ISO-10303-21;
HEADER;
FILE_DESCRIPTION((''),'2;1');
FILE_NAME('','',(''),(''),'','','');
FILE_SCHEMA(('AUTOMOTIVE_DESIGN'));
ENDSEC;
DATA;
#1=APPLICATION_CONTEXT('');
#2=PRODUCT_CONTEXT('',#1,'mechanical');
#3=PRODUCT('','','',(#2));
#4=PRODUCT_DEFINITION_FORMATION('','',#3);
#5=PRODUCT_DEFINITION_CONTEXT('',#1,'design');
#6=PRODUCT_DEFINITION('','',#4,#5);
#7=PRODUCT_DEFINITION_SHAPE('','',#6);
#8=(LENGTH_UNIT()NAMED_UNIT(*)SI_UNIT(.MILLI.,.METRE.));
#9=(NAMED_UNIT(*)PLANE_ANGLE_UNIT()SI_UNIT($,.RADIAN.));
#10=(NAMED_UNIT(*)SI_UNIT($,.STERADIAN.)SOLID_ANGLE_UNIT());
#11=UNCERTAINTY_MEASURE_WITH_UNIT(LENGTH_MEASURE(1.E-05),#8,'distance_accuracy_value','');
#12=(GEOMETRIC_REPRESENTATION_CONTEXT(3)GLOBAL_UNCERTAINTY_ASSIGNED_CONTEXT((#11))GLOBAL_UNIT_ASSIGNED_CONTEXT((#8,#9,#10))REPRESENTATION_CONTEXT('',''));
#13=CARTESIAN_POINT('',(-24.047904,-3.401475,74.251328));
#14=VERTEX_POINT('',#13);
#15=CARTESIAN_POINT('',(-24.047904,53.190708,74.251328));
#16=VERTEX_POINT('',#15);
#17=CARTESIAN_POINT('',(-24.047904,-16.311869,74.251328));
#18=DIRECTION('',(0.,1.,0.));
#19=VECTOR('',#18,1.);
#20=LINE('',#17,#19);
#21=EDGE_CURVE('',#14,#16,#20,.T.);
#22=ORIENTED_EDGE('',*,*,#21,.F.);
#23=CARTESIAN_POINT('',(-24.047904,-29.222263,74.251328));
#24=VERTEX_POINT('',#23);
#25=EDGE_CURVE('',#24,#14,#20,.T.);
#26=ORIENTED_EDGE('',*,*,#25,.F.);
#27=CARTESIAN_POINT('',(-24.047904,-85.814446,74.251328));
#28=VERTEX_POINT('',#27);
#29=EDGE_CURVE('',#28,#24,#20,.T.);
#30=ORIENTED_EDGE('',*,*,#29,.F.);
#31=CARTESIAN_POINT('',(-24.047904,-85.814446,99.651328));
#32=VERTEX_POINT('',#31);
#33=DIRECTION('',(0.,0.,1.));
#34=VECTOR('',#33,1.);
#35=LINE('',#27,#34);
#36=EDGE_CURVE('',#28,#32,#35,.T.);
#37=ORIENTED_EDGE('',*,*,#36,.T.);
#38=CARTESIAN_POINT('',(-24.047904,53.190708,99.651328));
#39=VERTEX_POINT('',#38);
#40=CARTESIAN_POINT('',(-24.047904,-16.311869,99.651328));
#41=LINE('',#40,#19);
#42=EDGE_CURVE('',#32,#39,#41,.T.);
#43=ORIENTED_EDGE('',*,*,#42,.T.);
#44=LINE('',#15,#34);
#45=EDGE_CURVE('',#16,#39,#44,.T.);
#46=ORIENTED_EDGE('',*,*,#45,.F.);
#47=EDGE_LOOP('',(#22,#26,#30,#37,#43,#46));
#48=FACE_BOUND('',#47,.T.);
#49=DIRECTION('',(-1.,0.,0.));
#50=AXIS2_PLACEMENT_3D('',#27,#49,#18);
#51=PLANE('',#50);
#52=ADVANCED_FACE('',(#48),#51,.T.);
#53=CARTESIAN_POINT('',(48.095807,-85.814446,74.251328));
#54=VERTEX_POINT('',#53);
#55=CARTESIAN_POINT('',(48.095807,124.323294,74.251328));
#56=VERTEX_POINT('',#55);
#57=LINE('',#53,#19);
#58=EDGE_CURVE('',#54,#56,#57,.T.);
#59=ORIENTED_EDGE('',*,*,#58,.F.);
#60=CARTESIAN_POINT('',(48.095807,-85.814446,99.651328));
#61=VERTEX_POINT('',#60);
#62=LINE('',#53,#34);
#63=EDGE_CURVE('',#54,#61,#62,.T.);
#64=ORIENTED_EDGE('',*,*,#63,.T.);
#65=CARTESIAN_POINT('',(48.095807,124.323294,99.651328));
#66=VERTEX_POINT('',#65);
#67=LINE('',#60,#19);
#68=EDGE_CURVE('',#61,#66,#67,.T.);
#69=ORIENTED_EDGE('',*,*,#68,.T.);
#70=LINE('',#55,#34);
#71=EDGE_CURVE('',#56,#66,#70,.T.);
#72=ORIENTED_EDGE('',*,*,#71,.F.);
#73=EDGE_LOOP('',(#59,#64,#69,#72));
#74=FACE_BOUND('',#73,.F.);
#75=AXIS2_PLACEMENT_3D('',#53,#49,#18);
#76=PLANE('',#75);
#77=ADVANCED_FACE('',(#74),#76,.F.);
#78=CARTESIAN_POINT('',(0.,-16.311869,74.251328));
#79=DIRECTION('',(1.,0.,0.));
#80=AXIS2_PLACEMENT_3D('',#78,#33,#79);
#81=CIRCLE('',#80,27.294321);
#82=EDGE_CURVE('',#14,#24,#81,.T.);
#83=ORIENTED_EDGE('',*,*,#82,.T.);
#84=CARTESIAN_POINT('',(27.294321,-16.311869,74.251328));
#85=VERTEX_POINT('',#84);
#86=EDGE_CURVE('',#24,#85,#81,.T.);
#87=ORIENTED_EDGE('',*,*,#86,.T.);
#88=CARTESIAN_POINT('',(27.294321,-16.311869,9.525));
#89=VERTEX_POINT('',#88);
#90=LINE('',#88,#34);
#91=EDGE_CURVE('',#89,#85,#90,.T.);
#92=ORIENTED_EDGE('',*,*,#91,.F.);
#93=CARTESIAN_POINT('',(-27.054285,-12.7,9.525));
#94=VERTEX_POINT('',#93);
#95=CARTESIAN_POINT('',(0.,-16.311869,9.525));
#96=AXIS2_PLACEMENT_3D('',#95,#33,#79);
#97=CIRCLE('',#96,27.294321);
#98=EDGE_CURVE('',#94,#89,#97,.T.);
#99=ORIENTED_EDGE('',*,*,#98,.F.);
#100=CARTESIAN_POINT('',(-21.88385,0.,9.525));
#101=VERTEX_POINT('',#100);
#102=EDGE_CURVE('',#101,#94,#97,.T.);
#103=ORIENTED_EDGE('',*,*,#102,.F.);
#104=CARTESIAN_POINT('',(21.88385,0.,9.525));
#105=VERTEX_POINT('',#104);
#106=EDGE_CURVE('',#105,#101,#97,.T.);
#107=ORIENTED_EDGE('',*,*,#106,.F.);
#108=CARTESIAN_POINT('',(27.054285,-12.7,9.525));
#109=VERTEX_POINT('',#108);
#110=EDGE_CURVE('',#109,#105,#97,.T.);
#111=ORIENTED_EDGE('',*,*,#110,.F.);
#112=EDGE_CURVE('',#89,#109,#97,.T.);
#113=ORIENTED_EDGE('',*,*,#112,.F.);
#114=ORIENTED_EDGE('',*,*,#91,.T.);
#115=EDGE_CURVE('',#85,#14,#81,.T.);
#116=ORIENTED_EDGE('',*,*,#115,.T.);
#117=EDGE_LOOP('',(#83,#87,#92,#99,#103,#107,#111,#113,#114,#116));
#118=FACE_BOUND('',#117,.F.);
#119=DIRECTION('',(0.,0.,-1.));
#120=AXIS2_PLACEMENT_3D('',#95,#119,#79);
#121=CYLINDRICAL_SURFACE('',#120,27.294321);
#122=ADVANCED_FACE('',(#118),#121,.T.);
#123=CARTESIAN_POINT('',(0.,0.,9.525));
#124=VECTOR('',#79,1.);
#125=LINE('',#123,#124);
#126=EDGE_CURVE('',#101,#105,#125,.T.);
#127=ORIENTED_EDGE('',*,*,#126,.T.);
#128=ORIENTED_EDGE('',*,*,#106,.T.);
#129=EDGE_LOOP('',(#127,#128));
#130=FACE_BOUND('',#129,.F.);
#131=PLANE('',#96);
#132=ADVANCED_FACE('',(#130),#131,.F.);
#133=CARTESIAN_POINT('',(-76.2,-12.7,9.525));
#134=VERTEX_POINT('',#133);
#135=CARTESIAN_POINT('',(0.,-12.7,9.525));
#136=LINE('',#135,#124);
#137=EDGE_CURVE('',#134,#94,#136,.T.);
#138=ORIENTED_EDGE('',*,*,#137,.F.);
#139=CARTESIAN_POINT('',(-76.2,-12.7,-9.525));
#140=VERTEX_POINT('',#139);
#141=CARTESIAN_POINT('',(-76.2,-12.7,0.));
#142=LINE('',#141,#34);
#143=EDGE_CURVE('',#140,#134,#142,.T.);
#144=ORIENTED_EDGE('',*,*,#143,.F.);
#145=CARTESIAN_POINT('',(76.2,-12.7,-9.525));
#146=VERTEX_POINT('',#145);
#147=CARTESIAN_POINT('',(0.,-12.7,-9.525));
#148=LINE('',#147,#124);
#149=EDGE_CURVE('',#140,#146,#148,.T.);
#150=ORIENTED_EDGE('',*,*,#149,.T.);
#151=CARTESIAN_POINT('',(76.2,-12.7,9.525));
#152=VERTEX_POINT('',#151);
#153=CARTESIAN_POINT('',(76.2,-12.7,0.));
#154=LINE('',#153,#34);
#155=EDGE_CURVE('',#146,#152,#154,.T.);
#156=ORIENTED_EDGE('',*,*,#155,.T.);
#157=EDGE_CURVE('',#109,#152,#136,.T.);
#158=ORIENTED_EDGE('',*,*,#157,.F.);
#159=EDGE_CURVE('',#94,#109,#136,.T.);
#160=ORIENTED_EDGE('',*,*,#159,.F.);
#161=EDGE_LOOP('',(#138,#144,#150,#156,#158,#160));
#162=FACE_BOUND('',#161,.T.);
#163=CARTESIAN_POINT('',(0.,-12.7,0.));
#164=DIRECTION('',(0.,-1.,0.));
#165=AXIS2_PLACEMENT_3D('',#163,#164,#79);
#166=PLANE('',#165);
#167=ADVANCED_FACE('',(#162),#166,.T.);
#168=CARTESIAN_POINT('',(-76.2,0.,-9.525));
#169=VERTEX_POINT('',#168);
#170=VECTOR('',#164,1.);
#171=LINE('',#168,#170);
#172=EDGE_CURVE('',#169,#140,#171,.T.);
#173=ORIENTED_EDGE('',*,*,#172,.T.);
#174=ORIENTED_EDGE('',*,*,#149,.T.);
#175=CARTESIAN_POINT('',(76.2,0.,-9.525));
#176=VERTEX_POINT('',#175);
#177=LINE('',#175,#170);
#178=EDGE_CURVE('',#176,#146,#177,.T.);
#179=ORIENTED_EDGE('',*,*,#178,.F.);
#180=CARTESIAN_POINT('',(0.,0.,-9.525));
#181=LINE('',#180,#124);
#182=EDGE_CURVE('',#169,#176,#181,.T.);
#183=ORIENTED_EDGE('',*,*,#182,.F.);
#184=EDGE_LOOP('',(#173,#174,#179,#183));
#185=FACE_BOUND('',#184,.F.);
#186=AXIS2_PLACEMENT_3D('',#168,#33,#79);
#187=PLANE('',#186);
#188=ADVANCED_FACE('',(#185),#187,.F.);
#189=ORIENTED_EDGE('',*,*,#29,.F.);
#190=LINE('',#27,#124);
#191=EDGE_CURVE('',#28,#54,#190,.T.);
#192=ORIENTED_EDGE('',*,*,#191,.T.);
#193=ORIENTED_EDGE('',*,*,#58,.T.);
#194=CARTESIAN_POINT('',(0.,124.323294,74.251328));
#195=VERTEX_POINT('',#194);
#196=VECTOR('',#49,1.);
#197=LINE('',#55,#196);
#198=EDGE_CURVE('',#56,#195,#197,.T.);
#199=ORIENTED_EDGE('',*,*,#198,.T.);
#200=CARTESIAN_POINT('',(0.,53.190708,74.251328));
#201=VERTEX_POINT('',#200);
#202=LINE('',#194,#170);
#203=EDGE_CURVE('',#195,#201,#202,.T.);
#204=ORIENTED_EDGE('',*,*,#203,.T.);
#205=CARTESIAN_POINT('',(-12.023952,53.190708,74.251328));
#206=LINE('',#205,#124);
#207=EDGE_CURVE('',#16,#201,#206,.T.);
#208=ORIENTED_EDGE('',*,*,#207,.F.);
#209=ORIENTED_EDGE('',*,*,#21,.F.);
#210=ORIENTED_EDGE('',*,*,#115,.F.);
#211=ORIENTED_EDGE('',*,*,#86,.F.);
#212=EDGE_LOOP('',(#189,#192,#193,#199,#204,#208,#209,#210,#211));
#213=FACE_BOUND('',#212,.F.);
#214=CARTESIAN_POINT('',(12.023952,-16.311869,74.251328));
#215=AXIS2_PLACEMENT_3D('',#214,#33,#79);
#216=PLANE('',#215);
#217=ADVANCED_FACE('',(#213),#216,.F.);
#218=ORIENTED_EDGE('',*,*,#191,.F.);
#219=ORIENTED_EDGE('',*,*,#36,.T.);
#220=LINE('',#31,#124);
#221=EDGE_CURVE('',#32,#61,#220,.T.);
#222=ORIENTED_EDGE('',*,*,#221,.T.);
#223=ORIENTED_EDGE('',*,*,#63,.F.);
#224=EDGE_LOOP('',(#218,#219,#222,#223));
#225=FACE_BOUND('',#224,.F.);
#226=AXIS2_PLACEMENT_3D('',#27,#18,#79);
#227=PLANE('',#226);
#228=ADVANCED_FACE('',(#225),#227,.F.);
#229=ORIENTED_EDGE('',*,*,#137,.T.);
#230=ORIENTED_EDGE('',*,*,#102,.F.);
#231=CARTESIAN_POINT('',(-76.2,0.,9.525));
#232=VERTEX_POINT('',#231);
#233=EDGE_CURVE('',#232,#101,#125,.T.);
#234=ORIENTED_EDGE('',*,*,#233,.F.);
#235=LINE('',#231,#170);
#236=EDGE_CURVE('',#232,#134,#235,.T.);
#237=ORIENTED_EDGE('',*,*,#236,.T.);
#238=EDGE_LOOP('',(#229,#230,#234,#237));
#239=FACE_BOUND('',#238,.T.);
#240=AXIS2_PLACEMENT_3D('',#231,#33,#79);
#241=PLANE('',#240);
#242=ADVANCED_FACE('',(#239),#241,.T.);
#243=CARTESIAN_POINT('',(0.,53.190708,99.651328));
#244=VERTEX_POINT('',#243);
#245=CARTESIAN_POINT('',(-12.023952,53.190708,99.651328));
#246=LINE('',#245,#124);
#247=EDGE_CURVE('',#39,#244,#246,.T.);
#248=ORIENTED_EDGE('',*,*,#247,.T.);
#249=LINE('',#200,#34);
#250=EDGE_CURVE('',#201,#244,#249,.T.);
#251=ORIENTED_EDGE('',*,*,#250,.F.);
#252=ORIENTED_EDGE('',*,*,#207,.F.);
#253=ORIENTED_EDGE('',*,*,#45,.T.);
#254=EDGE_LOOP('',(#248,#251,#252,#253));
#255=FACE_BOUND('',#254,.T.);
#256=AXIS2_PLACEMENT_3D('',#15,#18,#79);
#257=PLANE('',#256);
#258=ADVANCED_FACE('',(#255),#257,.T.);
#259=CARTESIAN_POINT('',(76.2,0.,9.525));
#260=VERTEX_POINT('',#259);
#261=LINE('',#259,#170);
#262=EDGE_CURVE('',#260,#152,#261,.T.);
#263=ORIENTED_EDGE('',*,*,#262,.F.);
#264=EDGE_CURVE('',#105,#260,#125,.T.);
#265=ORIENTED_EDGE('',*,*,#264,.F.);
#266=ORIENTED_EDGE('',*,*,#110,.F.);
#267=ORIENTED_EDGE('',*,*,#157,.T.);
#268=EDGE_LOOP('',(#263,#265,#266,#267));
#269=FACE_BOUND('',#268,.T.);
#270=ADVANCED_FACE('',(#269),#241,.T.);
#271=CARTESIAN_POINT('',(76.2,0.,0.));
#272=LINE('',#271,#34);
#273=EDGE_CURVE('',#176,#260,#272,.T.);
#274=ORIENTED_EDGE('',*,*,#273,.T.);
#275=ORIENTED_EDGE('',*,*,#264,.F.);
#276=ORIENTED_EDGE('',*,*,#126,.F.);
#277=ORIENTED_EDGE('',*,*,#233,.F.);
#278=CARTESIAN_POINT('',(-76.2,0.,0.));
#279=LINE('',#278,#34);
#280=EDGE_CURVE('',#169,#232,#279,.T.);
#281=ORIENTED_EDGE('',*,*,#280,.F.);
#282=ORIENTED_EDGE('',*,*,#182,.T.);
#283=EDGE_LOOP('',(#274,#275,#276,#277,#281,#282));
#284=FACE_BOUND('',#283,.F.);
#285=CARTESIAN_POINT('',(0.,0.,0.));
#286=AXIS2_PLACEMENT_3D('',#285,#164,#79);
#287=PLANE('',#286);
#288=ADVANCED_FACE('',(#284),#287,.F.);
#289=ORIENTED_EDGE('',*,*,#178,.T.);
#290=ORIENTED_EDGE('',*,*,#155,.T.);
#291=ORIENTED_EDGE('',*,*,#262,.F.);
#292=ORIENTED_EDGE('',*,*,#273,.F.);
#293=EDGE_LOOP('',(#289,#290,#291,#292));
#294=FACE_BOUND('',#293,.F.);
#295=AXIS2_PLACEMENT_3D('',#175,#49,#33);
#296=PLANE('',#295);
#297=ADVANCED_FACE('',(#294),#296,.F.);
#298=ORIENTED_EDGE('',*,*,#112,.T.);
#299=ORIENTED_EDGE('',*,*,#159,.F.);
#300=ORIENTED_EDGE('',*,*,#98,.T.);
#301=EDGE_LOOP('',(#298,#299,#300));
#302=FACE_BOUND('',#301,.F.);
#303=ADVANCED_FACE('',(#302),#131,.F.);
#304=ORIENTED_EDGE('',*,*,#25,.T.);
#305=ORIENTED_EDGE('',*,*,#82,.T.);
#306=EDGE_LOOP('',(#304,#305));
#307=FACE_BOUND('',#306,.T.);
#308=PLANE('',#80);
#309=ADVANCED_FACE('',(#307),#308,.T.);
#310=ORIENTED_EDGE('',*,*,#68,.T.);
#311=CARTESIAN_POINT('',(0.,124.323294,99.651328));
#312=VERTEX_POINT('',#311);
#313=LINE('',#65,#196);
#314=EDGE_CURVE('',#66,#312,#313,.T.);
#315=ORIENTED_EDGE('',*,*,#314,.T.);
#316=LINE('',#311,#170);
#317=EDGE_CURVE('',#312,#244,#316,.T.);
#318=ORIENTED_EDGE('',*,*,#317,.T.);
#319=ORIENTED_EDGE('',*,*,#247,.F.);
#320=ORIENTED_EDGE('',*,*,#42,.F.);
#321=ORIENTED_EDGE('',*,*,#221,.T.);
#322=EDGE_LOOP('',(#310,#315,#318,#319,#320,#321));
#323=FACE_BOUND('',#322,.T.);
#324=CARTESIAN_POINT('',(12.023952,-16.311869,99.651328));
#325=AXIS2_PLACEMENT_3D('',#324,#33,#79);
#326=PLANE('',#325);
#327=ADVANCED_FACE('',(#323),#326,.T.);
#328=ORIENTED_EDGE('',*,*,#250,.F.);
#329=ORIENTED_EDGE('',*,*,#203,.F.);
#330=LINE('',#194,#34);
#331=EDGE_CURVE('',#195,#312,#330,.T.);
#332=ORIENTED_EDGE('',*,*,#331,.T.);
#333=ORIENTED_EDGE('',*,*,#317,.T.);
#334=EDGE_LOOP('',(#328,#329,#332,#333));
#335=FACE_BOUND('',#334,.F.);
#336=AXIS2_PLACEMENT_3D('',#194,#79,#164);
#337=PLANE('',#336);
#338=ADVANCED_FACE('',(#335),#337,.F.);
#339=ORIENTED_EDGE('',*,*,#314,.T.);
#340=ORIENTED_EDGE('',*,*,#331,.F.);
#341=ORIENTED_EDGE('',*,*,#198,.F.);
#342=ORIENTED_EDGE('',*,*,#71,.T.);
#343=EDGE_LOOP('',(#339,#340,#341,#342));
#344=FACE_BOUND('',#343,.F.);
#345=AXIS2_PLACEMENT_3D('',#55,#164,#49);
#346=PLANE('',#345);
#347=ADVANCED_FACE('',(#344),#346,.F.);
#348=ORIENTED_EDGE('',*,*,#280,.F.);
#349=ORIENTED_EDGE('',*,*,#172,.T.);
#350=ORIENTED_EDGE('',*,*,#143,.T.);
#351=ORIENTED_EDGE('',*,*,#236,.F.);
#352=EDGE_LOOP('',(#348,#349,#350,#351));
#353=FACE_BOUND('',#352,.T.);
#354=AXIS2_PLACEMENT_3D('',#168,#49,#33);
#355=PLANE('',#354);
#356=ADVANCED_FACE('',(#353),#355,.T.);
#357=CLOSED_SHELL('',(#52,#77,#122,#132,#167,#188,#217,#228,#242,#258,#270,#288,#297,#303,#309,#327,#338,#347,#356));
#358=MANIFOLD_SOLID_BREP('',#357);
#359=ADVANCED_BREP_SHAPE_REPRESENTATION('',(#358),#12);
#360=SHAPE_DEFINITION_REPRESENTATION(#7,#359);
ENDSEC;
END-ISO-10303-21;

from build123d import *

# Parameters (mm, degrees)
F0_W     = 152.4
F0_H     = 19.05
F1_DEPTH = 12.7
F2_R     = 27.294321
F3_DEPTH = 64.726328
F4_W     = 24.047904
F4_H     = 139.005154
F5_DEPTH = 25.4


with BuildPart() as f1:
    # F0 (on Front) → F1 (new body)
    with BuildSketch(Plane.XZ):
        Rectangle(F0_W, F0_H)
    extrude(amount=F1_DEPTH)

    # F2 (on face) → F3 (join)
    with BuildSketch(Plane.XY.offset(9.525)):
        with Locations((0, -16.311869)):
            Circle(F2_R)
    extrude(amount=F3_DEPTH)

    # F4 (on face) → F5 (join)
    with BuildSketch(Plane.XY.offset(74.251328)):
        with Locations((12.023952, -16.311869)):
            Rectangle(F4_W, F4_H)
        Polygon((24.047904, 53.190708), (24.047904, -85.814446), (48.095807, -85.814446), (48.095807, 124.323294), (0, 124.323294), (0, 53.190708), align=None)
        with Locations((-12.023952, -16.311869)):
            Rectangle(F4_W, F4_H)
    extrude(amount=F5_DEPTH)


solid = f1.part
